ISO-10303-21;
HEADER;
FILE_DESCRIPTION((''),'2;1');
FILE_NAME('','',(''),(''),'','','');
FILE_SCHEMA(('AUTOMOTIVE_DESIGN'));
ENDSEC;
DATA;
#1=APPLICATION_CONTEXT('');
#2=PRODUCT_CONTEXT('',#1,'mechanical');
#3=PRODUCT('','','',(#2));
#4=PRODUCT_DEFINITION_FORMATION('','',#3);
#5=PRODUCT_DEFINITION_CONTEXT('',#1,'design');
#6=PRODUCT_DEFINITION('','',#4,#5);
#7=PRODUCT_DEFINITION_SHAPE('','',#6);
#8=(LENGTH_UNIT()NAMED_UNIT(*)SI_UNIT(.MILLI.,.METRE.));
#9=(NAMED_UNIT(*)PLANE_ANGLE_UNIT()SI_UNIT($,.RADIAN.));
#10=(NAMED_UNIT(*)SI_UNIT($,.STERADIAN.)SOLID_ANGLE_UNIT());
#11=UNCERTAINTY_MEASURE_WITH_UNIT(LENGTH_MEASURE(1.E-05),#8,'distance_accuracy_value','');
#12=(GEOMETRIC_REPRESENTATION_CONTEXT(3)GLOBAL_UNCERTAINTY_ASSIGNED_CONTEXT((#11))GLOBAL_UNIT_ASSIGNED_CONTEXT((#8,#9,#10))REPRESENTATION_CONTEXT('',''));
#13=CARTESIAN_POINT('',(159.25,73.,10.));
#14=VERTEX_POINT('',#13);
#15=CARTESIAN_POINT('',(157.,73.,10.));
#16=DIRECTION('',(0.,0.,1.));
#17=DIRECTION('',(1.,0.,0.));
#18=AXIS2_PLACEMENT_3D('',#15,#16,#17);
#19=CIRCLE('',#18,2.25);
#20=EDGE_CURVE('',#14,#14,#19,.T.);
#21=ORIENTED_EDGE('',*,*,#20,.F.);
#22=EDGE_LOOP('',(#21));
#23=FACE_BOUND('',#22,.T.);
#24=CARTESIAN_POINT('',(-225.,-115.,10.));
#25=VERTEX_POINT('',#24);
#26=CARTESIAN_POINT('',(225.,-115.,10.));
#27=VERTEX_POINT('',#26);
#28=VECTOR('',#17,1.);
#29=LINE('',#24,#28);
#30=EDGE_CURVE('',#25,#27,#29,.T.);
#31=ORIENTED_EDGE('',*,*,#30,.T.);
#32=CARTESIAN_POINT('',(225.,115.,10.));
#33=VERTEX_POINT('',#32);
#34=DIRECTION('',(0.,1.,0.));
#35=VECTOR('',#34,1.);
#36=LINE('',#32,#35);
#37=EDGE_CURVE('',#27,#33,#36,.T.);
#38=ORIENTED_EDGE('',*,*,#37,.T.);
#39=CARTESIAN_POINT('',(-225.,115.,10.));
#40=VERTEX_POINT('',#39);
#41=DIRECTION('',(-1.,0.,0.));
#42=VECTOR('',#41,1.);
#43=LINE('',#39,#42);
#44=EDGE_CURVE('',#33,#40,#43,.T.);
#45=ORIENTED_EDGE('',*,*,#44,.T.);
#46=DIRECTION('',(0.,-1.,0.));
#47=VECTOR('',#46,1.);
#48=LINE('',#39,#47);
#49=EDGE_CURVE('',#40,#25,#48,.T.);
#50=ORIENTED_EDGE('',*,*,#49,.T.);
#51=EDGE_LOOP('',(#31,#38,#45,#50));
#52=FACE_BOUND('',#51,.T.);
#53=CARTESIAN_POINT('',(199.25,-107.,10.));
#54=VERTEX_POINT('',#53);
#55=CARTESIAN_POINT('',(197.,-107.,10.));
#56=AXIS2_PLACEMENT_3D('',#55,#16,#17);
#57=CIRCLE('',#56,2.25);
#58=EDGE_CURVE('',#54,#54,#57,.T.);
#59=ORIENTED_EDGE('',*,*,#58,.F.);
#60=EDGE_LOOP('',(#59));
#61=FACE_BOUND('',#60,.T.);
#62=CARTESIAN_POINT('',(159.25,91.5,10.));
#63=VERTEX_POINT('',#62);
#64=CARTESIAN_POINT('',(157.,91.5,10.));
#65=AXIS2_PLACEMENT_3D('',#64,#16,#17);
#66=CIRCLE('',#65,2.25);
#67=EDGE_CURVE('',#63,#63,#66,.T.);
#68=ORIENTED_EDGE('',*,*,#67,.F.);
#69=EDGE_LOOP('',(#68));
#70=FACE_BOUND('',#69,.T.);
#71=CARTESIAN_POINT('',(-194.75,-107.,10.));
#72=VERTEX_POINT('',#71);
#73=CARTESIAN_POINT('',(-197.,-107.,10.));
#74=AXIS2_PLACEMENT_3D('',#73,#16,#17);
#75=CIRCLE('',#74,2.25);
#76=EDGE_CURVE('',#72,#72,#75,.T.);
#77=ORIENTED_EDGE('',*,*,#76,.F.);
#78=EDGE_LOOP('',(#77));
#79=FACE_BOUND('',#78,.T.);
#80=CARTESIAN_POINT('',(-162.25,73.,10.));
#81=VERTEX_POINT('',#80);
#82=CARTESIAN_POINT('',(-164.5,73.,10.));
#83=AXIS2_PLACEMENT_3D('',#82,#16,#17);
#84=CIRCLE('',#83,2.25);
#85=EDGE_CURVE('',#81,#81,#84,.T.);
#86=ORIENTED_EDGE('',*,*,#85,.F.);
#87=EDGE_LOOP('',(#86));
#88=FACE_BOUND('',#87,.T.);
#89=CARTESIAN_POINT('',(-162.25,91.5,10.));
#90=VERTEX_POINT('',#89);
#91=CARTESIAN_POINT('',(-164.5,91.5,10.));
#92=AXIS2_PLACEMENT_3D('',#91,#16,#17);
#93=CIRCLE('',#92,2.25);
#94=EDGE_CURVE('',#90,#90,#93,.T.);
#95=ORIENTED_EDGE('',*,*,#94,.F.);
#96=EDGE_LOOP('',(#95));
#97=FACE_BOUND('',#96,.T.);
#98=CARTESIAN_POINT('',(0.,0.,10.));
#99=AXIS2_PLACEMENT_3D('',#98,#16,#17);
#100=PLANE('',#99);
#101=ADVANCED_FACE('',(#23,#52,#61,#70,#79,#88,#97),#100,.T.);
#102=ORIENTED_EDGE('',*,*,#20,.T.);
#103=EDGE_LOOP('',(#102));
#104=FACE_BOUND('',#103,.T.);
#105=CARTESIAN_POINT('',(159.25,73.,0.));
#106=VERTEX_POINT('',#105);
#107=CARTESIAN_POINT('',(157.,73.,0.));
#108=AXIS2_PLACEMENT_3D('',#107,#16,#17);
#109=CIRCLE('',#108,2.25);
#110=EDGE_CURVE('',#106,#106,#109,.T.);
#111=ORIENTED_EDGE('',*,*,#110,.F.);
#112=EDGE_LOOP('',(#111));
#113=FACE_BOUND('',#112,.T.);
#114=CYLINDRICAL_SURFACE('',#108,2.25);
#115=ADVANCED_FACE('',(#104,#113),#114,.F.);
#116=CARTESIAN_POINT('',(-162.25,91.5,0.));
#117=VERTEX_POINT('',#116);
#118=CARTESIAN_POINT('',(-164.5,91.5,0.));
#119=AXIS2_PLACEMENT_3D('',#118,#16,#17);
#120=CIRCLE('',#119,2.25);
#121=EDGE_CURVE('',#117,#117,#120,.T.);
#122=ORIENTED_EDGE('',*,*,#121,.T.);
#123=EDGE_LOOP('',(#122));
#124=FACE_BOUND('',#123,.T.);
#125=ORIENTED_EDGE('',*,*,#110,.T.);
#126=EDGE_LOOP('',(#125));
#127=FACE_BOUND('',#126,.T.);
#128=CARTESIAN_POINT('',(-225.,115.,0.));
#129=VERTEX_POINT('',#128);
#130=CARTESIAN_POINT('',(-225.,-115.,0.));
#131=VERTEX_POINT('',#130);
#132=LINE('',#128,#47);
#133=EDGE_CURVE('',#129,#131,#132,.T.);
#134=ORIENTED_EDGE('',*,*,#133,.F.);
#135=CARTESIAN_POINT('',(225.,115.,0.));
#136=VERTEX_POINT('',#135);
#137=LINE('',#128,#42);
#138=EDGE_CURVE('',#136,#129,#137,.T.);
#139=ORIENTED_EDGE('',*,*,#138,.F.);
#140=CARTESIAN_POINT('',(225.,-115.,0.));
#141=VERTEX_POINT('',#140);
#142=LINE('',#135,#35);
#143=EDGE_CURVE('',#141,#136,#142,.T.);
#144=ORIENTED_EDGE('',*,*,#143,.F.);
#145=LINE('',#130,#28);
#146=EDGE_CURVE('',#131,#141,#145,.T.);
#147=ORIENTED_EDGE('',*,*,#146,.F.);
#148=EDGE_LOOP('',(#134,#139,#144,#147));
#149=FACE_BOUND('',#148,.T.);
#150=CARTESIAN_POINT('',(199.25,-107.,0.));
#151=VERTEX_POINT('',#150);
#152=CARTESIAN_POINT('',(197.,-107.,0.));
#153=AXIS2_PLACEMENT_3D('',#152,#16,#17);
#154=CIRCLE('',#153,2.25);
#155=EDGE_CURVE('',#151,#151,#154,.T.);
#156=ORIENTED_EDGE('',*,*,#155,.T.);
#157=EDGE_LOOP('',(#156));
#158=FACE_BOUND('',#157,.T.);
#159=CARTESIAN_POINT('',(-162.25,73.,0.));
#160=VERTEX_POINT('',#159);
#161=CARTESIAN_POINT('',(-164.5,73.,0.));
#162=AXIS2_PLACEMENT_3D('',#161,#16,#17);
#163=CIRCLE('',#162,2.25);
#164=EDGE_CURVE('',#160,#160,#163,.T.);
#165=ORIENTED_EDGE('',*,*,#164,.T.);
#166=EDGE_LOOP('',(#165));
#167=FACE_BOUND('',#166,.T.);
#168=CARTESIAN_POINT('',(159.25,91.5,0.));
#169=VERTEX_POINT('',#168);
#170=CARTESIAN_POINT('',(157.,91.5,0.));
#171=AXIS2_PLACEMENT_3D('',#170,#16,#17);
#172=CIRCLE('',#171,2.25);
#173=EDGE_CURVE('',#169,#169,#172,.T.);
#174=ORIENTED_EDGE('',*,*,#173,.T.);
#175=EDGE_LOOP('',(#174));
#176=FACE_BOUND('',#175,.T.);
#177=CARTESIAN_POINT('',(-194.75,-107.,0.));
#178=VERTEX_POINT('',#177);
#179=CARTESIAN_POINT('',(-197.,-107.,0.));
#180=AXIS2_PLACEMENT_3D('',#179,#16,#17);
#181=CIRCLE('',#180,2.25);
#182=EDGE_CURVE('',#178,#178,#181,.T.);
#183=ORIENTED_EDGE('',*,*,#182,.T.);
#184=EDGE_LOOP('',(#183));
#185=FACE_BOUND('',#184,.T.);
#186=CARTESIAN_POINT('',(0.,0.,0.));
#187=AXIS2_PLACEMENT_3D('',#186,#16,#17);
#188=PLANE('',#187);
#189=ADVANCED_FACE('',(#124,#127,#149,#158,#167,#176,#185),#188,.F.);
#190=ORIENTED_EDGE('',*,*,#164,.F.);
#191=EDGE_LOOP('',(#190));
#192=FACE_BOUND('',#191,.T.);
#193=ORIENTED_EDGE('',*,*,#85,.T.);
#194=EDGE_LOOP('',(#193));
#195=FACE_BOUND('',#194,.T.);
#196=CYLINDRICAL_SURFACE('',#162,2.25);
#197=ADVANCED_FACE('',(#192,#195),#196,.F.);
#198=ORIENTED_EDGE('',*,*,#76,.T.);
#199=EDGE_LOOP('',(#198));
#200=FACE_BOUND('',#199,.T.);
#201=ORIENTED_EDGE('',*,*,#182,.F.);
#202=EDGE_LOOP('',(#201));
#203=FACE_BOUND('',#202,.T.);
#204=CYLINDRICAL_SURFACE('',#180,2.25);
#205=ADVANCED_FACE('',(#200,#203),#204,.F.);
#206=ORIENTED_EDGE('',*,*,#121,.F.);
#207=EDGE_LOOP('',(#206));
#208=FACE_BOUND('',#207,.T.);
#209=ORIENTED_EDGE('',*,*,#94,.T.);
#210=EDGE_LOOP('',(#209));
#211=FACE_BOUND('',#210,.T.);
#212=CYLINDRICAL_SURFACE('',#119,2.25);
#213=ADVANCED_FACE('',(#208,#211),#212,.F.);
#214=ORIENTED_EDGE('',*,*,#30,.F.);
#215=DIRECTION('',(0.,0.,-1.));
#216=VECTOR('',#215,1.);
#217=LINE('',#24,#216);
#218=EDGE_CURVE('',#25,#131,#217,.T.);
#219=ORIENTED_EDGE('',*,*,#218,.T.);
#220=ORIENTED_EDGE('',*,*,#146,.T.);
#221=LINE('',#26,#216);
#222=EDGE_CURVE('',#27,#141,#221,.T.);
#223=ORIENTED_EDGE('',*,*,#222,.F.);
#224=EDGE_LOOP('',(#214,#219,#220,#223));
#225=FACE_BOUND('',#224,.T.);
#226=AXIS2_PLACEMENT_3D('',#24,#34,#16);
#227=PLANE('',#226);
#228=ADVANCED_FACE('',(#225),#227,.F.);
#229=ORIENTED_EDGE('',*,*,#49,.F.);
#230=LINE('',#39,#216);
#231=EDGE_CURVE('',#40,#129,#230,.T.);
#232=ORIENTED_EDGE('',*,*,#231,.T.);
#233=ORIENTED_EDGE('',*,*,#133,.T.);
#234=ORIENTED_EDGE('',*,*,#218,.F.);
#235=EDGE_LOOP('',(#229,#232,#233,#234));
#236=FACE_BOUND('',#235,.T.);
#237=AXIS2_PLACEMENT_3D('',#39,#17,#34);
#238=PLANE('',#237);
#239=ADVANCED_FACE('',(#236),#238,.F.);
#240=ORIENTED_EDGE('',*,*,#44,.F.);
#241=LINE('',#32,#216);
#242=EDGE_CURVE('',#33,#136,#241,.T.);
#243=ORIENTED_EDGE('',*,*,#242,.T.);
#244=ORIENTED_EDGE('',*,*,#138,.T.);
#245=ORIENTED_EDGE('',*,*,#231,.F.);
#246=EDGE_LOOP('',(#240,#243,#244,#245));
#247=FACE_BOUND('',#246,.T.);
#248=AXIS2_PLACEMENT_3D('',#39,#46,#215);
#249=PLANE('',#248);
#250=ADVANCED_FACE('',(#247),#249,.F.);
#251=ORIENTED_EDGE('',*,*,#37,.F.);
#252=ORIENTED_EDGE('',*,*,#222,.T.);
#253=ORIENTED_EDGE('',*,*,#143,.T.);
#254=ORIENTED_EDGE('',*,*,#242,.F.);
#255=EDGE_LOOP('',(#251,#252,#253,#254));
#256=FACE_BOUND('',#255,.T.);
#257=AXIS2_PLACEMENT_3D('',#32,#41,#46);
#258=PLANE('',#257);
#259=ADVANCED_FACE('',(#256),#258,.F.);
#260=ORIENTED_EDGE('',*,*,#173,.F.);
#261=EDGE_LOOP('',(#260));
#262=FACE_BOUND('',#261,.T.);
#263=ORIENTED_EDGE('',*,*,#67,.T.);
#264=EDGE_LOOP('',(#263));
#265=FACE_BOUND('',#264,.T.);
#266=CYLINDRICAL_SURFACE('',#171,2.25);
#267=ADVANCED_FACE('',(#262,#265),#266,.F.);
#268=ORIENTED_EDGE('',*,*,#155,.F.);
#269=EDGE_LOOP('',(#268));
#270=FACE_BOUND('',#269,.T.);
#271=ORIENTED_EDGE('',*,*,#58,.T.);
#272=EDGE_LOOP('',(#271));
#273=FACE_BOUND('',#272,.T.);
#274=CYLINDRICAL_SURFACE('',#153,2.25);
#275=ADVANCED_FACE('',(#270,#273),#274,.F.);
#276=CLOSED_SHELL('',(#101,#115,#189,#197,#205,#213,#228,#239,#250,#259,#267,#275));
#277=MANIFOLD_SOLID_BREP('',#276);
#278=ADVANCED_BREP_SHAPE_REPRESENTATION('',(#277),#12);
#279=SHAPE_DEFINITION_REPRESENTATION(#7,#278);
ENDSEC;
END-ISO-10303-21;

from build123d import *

# Parameters (mm, degrees)
SCHIZZO1_W                   = 450
SCHIZZO1_H                   = 230
ESTRUSIONE_ESTRUSIONE1_DEPTH = 10
SCHIZZO2_R                   = 2.25
TAGLIO_ESTRUSIONE1_DEPTH     = 10
SCHIZZO3_R                   = 2.25
TAGLIO_ESTRUSIONE2_DEPTH     = 10


with BuildPart() as part:
    # Schizzo1 → Estrusione-Estrusione1 (new body)
    with BuildSketch(Plane.XY):
        Rectangle(SCHIZZO1_W, SCHIZZO1_H)
    extrude(amount=ESTRUSIONE_ESTRUSIONE1_DEPTH)

    # Schizzo2 → Taglio-Estrusione1 (cut)
    with BuildSketch(Plane.XY.offset(10)):
        with Locations((-164.5, 91.5)):
            Circle(SCHIZZO2_R)
        with Locations((-164.5, 73)):
            Circle(SCHIZZO2_R)
        with Locations((157, 91.5)):
            Circle(SCHIZZO2_R)
        with Locations((157, 73)):
            Circle(SCHIZZO2_R)
    extrude(amount=-TAGLIO_ESTRUSIONE1_DEPTH, mode=Mode.SUBTRACT)

    # Schizzo3 → Taglio-Estrusione2 (cut)
    with BuildSketch(Plane.XY.offset(10)):
        with Locations((-197, -107)):
            Circle(SCHIZZO3_R)
        with Locations((197, -107)):
            Circle(SCHIZZO3_R)
    extrude(amount=-TAGLIO_ESTRUSIONE2_DEPTH, mode=Mode.SUBTRACT)


solid = part.part
